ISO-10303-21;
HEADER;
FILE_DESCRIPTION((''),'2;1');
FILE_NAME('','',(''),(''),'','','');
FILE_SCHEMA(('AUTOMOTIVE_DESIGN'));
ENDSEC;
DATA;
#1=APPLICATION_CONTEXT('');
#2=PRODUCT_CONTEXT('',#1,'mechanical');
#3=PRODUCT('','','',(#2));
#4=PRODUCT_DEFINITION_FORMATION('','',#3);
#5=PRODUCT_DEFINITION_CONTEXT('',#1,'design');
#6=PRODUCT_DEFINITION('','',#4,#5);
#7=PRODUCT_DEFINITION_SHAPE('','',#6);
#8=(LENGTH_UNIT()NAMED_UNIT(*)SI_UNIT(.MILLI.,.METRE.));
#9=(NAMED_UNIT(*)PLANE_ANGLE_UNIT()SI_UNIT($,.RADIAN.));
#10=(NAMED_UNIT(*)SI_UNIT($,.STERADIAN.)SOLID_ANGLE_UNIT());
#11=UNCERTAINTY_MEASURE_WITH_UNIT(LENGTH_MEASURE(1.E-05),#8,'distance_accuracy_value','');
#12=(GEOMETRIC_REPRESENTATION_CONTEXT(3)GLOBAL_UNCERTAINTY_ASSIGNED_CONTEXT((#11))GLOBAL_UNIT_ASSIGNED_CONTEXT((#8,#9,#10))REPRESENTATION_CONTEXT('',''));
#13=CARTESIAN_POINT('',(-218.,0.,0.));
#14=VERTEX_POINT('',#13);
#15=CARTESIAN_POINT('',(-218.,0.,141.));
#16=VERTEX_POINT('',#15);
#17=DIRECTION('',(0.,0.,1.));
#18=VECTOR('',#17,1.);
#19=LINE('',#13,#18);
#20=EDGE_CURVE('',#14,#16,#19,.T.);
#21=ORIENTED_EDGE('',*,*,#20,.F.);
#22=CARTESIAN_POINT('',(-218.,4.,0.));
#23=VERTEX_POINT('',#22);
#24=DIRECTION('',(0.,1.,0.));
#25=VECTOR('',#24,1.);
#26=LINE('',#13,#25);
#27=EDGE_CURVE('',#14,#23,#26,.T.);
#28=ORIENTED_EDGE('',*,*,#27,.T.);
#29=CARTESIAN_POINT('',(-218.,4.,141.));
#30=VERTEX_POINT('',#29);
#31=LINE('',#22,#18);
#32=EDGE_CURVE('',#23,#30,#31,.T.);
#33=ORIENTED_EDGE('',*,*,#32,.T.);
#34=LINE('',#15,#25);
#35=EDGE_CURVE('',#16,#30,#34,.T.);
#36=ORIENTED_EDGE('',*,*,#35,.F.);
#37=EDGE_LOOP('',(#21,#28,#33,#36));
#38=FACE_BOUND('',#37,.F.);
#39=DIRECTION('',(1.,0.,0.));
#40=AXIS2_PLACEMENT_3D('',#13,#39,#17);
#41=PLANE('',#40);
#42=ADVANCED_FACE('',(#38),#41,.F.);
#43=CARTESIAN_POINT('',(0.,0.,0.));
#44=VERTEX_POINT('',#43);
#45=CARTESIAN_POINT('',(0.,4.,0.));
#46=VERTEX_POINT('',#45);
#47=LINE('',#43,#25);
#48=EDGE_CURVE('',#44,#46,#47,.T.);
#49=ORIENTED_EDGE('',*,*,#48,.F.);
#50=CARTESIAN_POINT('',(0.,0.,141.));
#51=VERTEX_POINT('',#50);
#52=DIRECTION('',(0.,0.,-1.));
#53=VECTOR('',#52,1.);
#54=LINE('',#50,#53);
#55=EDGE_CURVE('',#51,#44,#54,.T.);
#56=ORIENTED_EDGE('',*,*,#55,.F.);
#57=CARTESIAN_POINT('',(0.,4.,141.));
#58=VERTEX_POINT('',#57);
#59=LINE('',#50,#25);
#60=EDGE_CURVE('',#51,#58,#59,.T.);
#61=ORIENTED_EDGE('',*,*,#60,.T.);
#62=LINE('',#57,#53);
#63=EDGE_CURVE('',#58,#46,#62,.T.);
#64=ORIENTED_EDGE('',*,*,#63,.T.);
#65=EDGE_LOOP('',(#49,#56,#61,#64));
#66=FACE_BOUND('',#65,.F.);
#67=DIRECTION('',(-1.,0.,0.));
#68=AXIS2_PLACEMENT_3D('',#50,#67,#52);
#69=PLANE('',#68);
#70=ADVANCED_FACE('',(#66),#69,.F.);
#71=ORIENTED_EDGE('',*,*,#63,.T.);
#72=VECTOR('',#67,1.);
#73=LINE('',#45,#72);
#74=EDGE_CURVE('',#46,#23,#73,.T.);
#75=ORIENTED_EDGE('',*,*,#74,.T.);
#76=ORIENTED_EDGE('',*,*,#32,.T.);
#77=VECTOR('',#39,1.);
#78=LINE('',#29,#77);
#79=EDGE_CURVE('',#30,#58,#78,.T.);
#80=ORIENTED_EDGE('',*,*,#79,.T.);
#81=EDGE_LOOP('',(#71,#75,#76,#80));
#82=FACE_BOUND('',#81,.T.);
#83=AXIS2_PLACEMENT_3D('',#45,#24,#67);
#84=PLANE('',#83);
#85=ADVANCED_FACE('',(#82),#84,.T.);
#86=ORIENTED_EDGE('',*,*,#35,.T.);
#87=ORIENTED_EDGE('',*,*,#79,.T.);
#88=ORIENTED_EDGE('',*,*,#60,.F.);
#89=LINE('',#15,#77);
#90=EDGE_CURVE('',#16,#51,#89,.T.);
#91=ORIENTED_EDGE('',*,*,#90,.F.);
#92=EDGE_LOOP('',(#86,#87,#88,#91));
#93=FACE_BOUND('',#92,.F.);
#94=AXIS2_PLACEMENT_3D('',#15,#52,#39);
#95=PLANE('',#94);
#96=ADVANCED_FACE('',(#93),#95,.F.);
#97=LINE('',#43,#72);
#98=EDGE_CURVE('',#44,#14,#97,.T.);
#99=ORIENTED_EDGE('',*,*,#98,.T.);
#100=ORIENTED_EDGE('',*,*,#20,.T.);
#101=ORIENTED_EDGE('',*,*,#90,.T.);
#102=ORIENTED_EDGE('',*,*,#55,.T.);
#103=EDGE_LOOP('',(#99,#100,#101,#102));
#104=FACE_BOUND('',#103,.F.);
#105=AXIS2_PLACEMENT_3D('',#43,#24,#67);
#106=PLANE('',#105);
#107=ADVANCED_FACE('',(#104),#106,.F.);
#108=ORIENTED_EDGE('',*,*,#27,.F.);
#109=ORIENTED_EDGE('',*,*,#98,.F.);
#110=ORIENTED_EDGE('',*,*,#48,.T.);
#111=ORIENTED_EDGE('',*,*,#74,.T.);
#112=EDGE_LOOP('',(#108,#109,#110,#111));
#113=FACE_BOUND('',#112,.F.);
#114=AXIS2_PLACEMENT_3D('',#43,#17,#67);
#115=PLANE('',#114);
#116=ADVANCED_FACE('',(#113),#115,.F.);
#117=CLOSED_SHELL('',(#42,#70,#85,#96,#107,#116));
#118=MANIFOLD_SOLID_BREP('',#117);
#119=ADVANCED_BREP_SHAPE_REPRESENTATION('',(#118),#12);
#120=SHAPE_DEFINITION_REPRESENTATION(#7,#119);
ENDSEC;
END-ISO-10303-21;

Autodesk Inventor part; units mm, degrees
ref_plane "YZ Plane" through (0, 0, 0) normal (1, 0, 0) x (0, 1, 0)
ref_plane "XZ Plane" through (0, 0, 0) normal (0, 1, 0) x (-1, 0, 0)
ref_plane "XY Plane" through (0, 0, 0) normal (0, 0, 1) x (1, 0, 0)
sketch "Skizze1" plane through (0, 0, 0) normal (0, 1, 0) x (-1, 0, 0)
  line L0 (0, 0) -> (218, 0)
  line L1 (218, 0) -> (218, 141)
  line L2 (218, 141) -> (0, 141)
  line L3 (0, 141) -> (0, 0)
  dimension "d0" = 141
  dimension "d1" = 218
extrude "Extrusion1" add sketch "Skizze1" along normal blind 4
properties part number "backPlatte" material "Pappel"
